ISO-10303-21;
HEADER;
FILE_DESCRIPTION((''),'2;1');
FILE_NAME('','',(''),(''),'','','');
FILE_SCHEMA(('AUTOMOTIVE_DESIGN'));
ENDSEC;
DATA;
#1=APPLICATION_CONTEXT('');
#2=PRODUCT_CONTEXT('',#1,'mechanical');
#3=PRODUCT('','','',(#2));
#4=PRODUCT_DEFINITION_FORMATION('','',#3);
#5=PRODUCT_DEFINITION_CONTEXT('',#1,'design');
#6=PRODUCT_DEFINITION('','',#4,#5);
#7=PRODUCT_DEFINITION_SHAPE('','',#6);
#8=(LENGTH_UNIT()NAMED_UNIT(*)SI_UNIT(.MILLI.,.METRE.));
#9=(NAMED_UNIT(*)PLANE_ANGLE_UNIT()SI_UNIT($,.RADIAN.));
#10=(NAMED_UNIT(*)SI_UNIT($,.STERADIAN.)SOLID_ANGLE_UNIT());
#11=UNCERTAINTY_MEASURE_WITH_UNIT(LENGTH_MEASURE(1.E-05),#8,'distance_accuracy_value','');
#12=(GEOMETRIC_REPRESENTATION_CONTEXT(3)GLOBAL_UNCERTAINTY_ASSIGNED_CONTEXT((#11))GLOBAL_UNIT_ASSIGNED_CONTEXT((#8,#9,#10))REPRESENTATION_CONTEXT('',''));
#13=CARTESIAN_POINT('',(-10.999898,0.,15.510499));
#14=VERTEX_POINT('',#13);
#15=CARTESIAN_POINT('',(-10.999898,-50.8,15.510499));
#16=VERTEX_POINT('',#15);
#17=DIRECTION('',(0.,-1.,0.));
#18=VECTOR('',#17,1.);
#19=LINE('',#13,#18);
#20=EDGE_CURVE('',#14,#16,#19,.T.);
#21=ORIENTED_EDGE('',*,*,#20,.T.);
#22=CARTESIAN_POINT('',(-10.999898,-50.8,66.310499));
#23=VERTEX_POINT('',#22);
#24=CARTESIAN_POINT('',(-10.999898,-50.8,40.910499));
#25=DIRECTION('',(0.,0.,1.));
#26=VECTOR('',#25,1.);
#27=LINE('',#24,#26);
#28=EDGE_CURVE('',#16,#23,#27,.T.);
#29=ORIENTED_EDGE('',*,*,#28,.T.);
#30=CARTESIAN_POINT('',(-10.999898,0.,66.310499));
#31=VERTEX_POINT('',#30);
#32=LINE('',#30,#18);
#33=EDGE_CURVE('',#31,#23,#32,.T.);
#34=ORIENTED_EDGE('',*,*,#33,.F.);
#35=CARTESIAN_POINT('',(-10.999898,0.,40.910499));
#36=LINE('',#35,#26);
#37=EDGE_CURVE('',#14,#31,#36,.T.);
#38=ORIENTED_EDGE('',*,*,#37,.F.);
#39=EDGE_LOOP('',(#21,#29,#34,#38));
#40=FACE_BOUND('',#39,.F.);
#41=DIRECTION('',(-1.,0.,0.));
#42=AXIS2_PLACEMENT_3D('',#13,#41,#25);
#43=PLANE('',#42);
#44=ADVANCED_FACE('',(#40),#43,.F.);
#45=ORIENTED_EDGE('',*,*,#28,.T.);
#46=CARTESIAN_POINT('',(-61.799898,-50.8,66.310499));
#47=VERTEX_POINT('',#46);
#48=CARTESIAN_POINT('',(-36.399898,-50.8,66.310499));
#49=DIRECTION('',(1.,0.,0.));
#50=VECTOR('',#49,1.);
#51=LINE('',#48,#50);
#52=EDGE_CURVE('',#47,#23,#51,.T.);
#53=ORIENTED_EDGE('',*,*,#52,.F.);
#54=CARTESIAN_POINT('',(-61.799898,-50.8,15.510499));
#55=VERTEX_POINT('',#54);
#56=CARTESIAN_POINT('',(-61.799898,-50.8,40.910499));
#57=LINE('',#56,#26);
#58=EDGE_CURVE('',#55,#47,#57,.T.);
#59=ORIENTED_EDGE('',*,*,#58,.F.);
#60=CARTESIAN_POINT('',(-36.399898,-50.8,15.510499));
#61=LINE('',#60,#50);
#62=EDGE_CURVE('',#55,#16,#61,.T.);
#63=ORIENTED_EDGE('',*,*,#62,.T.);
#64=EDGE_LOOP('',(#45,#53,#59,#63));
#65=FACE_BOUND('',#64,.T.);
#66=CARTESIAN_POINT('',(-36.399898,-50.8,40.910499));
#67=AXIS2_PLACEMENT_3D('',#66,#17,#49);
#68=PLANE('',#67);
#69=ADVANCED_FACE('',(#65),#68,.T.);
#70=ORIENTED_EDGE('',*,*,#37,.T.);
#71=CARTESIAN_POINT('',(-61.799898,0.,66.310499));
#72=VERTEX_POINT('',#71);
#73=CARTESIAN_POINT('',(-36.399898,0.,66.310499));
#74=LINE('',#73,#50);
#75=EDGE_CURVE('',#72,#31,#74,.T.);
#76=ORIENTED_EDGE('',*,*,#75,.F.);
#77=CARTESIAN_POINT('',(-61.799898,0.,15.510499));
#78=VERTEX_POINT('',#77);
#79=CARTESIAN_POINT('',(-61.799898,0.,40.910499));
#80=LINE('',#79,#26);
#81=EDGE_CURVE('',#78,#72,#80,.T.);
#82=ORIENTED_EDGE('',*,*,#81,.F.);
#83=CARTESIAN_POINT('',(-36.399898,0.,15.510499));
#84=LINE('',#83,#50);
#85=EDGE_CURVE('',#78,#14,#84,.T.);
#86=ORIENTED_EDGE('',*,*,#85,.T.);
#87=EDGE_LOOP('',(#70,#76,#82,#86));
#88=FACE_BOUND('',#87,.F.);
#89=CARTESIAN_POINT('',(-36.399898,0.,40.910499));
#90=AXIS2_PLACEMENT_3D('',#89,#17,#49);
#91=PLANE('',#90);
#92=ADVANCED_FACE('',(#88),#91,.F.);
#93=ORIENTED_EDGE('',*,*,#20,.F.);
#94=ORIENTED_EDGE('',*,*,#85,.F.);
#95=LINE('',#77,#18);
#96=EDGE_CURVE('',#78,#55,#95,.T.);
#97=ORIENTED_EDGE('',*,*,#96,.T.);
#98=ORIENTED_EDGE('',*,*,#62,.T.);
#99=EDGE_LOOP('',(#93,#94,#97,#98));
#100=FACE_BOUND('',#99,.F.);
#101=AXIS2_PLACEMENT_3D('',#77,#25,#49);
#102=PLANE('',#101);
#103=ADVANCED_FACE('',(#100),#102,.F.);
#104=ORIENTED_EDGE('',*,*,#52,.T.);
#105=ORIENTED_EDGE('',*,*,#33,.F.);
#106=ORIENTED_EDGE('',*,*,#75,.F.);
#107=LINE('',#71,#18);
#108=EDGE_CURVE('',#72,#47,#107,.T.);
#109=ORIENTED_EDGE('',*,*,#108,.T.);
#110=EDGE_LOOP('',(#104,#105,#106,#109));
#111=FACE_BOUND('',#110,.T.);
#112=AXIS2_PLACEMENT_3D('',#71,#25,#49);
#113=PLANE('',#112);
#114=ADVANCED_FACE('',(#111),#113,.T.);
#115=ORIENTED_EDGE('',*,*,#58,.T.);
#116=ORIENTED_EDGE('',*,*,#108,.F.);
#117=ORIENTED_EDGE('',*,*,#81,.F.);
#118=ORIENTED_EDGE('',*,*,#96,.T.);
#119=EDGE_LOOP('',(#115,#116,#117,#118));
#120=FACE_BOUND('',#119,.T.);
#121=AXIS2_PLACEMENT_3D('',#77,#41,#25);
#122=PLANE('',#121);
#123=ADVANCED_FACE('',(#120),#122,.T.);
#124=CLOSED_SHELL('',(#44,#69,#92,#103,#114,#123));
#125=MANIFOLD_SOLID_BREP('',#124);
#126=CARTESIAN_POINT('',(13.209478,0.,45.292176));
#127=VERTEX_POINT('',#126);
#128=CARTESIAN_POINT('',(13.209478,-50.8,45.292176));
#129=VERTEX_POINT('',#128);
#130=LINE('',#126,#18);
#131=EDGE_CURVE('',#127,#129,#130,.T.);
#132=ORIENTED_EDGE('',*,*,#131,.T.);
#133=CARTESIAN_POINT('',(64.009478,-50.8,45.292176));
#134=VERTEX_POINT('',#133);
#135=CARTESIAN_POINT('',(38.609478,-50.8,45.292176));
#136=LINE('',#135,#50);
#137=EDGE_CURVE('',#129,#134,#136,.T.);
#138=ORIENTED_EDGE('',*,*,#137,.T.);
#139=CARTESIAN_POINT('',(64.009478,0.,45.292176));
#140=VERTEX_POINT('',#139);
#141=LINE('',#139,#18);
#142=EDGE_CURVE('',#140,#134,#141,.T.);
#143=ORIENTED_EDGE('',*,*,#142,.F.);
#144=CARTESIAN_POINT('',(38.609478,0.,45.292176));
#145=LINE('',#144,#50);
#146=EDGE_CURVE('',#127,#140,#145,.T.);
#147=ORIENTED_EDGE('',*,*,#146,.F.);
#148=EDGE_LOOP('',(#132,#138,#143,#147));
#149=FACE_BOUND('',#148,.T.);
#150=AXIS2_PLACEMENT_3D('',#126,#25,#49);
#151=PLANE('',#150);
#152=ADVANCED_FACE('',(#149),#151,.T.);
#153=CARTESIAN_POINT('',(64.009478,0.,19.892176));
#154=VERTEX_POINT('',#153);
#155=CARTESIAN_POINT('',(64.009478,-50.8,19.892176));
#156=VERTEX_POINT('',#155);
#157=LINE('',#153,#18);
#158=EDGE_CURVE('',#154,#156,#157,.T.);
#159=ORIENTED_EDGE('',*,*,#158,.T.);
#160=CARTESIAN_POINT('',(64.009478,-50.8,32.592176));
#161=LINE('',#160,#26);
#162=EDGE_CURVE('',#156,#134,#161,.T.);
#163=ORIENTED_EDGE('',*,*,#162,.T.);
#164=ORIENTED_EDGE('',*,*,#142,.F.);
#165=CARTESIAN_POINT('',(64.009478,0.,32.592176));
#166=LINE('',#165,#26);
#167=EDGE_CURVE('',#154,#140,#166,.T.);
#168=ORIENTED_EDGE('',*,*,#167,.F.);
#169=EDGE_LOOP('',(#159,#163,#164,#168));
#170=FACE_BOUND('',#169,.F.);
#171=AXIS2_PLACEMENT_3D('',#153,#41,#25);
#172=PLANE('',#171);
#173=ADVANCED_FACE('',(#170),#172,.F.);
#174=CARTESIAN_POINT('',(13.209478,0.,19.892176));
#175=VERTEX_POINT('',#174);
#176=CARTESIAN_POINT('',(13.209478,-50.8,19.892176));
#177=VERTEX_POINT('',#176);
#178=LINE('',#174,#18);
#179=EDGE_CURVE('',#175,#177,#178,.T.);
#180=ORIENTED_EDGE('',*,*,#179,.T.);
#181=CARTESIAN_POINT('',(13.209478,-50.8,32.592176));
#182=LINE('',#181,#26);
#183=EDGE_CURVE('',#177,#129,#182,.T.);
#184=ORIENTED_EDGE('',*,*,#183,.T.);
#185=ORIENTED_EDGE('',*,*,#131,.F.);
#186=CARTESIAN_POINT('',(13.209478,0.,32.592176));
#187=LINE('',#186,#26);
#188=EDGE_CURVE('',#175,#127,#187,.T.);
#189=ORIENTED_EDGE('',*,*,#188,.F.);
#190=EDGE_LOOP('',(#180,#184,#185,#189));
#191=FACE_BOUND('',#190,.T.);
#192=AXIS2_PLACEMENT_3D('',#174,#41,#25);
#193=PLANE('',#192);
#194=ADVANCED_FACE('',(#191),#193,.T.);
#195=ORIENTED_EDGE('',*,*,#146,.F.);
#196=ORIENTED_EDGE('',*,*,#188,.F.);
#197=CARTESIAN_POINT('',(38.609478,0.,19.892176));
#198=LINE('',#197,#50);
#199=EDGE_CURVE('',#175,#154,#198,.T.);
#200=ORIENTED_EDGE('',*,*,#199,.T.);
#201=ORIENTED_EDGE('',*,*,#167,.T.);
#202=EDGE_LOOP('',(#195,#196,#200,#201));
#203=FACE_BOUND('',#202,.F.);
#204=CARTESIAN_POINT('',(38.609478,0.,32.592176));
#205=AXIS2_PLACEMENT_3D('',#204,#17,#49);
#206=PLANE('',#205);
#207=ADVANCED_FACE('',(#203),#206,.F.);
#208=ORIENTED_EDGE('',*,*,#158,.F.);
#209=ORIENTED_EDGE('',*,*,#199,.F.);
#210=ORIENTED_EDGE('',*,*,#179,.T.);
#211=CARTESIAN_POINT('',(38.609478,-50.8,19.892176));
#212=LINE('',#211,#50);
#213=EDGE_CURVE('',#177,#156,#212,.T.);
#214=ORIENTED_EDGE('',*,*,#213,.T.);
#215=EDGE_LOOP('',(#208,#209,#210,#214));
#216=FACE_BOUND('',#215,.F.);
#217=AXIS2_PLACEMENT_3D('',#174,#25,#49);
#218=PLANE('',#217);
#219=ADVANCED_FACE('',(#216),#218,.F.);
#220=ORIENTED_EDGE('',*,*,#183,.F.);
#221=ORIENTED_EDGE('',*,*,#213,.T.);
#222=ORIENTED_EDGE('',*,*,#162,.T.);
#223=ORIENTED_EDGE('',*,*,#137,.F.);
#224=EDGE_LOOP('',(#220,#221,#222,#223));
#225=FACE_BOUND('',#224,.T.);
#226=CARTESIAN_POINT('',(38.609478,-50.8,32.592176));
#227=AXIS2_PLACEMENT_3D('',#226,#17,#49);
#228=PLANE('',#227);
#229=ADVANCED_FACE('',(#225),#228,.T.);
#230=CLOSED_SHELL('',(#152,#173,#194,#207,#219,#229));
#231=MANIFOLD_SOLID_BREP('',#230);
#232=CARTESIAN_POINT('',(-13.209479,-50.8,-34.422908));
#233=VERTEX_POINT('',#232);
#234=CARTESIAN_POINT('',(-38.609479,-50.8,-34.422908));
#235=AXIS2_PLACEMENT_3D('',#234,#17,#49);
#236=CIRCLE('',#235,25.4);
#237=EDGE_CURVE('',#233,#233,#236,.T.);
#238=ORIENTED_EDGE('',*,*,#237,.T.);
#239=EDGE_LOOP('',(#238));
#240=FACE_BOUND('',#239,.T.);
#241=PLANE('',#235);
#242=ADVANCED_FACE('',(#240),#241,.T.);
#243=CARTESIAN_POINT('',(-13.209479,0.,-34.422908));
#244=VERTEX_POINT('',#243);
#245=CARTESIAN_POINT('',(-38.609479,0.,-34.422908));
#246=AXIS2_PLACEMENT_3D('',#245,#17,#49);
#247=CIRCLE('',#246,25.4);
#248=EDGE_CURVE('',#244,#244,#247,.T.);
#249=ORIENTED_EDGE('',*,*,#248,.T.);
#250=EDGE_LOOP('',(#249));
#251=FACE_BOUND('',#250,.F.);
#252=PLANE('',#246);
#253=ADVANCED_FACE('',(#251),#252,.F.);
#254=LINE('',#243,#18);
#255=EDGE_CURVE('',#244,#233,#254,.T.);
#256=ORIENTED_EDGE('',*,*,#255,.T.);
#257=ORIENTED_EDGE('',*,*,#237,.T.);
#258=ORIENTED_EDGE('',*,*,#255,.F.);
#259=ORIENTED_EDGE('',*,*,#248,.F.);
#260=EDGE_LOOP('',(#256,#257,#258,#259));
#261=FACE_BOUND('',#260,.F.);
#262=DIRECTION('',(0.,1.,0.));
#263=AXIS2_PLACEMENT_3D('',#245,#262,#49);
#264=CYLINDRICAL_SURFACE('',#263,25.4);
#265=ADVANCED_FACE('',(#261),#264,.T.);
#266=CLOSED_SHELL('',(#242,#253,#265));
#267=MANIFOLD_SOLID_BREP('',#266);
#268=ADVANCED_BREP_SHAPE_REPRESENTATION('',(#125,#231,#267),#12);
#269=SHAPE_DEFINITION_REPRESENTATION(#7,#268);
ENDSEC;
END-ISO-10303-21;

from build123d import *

# Parameters (mm, degrees)
F0_W     = 50.8
F0_H     = 50.8
F3_DEPTH = 50.8
F1_W     = 50.8
F1_H     = 25.4
F2_R     = 25.4
F4_DEPTH = 50.8


with BuildPart() as f3:
    # F0 (on Front) → F3 (new body)
    with BuildSketch(Plane.XZ):
        with Locations((-36.399898, 40.910499)):
            Rectangle(F0_W, F0_H)
    extrude(amount=F3_DEPTH)


with BuildPart() as f4:
    # F1 (on Front) + F2 (on Front) → F4 (new body)
    with BuildSketch(Plane.XZ):
        with Locations((38.609478, 32.592176)):
            Rectangle(F1_W, F1_H)
    with BuildSketch(Plane.XZ):
        with Locations((-38.609479, -34.422908)):
            Circle(F2_R)
    extrude(amount=F4_DEPTH)


solid = Compound([f3.part, f4.part])
